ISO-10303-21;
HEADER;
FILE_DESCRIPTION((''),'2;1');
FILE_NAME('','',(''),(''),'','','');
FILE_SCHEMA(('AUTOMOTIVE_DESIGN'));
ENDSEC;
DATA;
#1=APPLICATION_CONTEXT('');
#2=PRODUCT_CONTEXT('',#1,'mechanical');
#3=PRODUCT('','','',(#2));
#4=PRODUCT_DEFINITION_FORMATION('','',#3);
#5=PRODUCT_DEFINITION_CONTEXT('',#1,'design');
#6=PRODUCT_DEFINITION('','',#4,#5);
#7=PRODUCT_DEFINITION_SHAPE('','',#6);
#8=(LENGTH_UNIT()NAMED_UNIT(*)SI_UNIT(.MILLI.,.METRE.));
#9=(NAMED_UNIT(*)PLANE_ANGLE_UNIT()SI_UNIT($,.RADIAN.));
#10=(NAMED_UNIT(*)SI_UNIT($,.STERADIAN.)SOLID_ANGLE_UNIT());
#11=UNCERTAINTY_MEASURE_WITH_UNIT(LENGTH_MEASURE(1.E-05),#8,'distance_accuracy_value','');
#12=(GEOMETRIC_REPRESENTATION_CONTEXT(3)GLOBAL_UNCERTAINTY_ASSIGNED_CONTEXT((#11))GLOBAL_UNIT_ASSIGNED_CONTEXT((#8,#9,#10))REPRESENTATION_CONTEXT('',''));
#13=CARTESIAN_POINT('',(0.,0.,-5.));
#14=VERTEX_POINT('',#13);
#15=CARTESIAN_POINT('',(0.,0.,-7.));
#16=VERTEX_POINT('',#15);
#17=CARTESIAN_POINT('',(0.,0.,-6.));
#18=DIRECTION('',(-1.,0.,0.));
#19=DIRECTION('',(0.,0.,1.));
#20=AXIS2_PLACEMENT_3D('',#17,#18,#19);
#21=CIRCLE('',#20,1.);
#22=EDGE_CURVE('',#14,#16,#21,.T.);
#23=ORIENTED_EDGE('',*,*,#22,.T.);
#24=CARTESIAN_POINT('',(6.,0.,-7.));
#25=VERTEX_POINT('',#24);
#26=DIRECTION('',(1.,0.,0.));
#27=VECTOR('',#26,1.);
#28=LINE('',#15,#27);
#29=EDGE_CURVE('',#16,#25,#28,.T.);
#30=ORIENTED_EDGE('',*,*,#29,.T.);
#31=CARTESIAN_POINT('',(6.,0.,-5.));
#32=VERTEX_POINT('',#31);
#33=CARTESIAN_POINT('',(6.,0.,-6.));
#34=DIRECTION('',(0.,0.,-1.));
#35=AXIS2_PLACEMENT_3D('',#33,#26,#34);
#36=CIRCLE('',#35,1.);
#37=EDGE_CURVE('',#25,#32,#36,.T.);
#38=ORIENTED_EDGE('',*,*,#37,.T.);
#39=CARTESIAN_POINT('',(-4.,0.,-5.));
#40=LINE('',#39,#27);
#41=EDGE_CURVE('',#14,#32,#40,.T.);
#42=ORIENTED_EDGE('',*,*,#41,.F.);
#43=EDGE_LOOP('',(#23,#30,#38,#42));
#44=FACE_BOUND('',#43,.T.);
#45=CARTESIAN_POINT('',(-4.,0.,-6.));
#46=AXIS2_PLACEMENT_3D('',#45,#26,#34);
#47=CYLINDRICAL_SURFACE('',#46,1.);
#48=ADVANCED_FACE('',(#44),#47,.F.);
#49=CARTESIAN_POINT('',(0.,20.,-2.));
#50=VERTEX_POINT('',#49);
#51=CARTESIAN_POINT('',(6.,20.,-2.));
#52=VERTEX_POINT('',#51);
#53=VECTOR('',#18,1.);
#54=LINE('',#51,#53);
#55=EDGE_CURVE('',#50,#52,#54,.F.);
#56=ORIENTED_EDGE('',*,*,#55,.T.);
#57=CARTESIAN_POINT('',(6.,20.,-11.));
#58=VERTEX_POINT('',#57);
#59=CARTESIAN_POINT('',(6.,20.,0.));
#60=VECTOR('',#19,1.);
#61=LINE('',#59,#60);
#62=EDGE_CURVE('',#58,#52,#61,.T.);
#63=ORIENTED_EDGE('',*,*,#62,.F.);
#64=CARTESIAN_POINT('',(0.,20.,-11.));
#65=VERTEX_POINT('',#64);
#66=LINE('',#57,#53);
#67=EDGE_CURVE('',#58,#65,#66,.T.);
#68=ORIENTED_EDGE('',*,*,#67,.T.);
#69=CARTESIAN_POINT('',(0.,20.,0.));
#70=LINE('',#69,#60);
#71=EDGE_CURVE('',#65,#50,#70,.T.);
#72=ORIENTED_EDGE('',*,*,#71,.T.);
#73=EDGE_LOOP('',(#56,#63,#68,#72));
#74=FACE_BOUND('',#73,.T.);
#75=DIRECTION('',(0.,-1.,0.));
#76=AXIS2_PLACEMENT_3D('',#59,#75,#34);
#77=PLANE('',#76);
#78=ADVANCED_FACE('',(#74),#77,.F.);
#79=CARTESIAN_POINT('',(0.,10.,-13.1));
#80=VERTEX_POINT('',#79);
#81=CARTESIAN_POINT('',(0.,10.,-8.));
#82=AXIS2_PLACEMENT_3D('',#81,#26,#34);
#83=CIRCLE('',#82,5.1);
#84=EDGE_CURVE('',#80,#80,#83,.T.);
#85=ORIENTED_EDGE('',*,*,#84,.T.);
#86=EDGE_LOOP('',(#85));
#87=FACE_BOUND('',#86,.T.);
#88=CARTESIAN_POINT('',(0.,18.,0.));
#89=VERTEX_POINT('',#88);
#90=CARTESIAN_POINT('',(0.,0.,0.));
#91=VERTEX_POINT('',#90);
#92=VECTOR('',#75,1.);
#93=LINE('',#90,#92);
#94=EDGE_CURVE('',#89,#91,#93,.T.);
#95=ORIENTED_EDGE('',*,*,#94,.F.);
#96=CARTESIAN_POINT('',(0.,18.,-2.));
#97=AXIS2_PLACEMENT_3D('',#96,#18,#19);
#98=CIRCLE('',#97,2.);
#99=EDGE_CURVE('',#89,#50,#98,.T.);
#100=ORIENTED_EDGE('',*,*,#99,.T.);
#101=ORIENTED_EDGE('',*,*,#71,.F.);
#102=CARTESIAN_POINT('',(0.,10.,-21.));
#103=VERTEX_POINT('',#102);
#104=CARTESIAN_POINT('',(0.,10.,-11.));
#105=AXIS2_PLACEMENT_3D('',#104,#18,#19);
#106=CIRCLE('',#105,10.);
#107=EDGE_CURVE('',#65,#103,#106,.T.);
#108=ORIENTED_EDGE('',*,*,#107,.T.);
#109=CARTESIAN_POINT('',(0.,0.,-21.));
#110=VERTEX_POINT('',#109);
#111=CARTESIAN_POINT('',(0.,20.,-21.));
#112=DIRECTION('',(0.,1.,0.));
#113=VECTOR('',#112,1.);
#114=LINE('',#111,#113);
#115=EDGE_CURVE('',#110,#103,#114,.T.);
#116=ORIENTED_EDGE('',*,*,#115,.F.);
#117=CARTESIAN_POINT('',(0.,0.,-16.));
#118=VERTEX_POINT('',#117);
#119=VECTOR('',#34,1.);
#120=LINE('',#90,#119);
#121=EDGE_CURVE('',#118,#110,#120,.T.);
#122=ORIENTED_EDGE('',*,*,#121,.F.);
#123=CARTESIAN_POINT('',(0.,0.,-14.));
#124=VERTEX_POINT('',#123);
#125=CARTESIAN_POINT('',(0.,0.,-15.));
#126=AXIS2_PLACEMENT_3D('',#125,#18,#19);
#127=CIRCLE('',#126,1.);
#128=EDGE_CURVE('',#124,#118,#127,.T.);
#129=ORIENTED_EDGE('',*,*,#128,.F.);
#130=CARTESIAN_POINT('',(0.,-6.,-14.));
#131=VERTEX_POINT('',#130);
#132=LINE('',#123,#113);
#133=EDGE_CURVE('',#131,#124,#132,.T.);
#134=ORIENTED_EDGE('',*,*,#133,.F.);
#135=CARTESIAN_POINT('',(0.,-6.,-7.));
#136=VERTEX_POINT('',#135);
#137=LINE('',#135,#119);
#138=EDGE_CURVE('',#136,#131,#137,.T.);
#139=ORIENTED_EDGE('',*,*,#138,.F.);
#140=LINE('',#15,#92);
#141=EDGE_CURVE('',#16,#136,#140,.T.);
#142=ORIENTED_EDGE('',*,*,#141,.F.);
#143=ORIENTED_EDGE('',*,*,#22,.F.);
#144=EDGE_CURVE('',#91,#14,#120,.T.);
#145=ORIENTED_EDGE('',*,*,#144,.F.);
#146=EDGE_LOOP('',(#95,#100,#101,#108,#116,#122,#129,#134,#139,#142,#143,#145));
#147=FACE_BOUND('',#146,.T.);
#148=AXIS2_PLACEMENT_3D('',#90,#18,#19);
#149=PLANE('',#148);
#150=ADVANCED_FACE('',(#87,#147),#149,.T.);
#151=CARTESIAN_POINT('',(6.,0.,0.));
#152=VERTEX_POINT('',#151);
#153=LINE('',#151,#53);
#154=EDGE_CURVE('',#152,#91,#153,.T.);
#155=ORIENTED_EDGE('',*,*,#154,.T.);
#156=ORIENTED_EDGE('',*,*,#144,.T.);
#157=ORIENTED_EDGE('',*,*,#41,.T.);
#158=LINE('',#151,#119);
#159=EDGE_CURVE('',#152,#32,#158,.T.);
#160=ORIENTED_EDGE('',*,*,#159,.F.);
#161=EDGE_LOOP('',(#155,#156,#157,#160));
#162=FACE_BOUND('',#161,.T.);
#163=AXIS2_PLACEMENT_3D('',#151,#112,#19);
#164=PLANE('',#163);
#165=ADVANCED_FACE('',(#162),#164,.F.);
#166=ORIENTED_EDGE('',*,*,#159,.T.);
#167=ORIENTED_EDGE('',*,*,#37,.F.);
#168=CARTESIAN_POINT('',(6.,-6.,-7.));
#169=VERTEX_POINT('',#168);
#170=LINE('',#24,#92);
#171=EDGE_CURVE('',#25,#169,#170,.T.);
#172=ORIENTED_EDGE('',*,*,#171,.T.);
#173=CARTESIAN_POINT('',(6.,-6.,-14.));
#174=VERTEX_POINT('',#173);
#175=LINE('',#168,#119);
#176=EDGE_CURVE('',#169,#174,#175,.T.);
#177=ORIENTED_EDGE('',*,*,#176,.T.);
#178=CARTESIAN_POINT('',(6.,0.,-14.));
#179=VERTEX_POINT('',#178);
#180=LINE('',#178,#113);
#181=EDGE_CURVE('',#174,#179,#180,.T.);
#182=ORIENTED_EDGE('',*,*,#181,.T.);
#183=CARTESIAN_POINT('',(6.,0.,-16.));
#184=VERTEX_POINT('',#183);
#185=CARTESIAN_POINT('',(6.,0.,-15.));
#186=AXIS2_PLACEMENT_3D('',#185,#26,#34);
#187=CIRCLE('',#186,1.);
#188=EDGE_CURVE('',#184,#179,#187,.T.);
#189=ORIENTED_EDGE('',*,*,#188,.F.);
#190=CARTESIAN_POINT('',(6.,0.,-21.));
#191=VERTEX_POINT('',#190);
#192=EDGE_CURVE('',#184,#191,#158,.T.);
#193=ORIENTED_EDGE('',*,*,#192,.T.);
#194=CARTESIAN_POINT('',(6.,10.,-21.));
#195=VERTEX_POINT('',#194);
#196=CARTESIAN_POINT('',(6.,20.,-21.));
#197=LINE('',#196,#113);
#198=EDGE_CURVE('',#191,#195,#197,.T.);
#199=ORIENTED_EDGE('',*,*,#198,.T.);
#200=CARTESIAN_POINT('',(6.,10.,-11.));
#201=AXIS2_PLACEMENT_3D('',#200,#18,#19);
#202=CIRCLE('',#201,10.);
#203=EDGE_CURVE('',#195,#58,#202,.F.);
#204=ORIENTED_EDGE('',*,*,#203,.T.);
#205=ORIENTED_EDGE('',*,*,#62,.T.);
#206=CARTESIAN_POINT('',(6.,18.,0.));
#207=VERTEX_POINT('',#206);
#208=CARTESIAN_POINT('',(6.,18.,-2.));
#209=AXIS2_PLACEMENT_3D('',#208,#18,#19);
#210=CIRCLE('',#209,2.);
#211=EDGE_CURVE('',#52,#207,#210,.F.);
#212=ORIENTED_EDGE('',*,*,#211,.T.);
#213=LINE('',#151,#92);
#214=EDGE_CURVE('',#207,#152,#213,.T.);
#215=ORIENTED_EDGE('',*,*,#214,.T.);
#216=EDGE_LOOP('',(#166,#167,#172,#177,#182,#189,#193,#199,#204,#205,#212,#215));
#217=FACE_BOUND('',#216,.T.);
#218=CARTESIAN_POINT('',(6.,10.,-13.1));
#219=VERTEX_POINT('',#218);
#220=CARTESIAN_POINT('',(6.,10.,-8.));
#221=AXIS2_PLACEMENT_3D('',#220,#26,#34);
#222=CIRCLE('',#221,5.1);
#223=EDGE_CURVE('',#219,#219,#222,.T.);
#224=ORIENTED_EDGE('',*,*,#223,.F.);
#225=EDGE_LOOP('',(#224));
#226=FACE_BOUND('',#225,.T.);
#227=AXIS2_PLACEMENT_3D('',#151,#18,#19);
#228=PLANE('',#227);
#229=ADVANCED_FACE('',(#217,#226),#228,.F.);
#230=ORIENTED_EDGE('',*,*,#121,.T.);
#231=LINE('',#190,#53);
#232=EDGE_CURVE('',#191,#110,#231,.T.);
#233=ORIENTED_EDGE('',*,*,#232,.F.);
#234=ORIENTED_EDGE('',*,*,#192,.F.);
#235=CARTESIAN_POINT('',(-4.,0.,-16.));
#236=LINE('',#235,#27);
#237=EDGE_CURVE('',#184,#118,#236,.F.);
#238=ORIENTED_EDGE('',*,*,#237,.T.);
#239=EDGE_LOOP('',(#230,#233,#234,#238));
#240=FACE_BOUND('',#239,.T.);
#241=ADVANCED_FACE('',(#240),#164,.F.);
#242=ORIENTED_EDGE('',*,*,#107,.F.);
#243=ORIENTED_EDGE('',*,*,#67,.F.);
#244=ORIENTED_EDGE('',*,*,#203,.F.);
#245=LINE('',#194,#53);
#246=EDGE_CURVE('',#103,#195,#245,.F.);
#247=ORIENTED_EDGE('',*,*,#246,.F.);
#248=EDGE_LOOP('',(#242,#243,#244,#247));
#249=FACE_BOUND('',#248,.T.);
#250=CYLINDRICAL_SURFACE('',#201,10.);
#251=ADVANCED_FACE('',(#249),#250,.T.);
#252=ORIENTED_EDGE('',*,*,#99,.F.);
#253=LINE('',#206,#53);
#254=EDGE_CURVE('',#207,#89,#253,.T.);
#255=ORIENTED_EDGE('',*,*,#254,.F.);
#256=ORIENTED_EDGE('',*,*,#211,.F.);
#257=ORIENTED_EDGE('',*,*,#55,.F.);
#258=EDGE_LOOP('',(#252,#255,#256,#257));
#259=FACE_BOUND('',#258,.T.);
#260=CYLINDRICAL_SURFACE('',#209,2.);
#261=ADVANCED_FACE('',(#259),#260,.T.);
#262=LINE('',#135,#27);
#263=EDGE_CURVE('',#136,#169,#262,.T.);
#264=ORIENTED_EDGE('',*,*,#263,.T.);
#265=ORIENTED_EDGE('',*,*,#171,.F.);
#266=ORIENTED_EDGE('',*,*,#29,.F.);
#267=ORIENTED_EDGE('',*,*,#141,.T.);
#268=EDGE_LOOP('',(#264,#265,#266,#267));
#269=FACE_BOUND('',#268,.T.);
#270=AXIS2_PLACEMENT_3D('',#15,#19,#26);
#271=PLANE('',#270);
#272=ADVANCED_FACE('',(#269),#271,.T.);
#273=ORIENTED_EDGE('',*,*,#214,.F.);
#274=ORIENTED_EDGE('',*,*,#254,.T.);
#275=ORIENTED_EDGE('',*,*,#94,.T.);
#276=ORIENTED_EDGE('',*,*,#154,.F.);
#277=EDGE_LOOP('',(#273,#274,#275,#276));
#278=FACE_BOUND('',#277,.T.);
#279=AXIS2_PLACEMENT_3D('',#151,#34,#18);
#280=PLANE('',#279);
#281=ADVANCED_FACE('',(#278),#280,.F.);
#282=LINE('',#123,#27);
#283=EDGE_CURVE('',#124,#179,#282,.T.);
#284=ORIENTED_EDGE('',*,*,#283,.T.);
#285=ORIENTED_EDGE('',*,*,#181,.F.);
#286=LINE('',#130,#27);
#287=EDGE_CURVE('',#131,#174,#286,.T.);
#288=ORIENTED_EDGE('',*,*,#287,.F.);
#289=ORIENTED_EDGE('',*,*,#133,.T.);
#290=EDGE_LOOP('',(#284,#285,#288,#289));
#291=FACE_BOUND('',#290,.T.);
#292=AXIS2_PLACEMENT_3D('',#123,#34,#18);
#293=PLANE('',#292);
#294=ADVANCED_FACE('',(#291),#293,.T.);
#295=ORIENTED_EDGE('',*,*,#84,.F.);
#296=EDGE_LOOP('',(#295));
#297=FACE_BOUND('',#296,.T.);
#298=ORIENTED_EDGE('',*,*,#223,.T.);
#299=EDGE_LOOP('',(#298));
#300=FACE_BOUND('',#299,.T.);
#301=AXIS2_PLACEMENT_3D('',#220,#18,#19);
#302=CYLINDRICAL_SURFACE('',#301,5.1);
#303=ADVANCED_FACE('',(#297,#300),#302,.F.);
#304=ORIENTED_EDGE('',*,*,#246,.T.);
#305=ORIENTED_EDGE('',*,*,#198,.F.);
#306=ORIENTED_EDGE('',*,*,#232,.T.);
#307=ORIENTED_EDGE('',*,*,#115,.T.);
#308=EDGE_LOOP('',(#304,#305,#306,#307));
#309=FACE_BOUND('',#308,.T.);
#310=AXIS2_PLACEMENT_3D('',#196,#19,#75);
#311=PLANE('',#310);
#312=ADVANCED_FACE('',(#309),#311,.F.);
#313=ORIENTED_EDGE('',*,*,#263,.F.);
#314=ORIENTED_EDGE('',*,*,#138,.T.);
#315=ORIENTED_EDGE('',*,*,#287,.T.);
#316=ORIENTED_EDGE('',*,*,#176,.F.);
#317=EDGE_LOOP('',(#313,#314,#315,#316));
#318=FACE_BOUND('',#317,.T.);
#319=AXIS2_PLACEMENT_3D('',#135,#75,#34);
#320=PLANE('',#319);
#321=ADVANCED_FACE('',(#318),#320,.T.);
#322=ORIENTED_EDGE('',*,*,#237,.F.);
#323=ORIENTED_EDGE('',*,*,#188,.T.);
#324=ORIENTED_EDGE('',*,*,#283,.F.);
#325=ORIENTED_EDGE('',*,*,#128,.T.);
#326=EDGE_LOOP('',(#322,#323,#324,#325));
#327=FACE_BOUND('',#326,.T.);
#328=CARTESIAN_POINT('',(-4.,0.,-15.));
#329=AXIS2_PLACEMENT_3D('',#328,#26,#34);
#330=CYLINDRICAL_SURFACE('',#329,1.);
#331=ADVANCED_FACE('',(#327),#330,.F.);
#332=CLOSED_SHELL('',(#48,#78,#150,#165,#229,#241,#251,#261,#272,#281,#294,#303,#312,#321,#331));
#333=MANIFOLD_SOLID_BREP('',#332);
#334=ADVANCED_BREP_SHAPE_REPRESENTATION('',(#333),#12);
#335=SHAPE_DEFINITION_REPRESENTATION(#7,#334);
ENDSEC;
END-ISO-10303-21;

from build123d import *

# Parameters (mm, degrees)
SKETCH_1_W          = 21
SKETCH_1_H          = 20
SKETCH_1_R          = 5.1
EXTRUDE_1_DEPTH     = 6
FILLET_1_R          = 10
FILLET_2_R          = 2
SKETCH_2_W          = 7
SKETCH_2_H          = 6
EXTRUDE_2_DEPTH     = 6
SKETCH_3_R          = 1
CUT_EXTRUDE_1_DEPTH = 10


with BuildPart() as part:
    # 스케치1 → 보스-돌출1 (new body)
    with BuildSketch(Plane(origin=(0, 0, 0), x_dir=(0, 0, -1), z_dir=(1, 0, 0))):
        with Locations((10.5, 10)):
            Rectangle(SKETCH_1_W, SKETCH_1_H)
        with Locations((8, 10)):
            Circle(SKETCH_1_R, mode=Mode.SUBTRACT)
    extrude(amount=EXTRUDE_1_DEPTH)

    # 필렛1
    fillet_1_edges = [part.edges().sort_by_distance(p)[0] for p in [
        (3, 20, -21),
    ]]
    fillet(fillet_1_edges, radius=FILLET_1_R)

    # 필렛2
    fillet_2_edges = [part.edges().sort_by_distance(p)[0] for p in [
        (3, 20, 0),
    ]]
    fillet(fillet_2_edges, radius=FILLET_2_R)

    # 스케치2 → 보스-돌출2 (add)
    with BuildSketch(Plane(origin=(6, 0, 0), x_dir=(0, 0, -1), z_dir=(1, 0, 0))):
        with Locations((10.5, -3)):
            Rectangle(SKETCH_2_W, SKETCH_2_H)
    extrude(amount=-EXTRUDE_2_DEPTH)

    # 스케치3 → 컷-돌출1 (cut)
    with BuildSketch(Plane(origin=(6, 0, 0), x_dir=(0, 0, -1), z_dir=(1, 0, 0))):
        with Locations((15, 0)):
            Circle(SKETCH_3_R)
        with Locations((6, 0)):
            Circle(SKETCH_3_R)
    extrude(amount=-CUT_EXTRUDE_1_DEPTH, mode=Mode.SUBTRACT)


solid = part.part
